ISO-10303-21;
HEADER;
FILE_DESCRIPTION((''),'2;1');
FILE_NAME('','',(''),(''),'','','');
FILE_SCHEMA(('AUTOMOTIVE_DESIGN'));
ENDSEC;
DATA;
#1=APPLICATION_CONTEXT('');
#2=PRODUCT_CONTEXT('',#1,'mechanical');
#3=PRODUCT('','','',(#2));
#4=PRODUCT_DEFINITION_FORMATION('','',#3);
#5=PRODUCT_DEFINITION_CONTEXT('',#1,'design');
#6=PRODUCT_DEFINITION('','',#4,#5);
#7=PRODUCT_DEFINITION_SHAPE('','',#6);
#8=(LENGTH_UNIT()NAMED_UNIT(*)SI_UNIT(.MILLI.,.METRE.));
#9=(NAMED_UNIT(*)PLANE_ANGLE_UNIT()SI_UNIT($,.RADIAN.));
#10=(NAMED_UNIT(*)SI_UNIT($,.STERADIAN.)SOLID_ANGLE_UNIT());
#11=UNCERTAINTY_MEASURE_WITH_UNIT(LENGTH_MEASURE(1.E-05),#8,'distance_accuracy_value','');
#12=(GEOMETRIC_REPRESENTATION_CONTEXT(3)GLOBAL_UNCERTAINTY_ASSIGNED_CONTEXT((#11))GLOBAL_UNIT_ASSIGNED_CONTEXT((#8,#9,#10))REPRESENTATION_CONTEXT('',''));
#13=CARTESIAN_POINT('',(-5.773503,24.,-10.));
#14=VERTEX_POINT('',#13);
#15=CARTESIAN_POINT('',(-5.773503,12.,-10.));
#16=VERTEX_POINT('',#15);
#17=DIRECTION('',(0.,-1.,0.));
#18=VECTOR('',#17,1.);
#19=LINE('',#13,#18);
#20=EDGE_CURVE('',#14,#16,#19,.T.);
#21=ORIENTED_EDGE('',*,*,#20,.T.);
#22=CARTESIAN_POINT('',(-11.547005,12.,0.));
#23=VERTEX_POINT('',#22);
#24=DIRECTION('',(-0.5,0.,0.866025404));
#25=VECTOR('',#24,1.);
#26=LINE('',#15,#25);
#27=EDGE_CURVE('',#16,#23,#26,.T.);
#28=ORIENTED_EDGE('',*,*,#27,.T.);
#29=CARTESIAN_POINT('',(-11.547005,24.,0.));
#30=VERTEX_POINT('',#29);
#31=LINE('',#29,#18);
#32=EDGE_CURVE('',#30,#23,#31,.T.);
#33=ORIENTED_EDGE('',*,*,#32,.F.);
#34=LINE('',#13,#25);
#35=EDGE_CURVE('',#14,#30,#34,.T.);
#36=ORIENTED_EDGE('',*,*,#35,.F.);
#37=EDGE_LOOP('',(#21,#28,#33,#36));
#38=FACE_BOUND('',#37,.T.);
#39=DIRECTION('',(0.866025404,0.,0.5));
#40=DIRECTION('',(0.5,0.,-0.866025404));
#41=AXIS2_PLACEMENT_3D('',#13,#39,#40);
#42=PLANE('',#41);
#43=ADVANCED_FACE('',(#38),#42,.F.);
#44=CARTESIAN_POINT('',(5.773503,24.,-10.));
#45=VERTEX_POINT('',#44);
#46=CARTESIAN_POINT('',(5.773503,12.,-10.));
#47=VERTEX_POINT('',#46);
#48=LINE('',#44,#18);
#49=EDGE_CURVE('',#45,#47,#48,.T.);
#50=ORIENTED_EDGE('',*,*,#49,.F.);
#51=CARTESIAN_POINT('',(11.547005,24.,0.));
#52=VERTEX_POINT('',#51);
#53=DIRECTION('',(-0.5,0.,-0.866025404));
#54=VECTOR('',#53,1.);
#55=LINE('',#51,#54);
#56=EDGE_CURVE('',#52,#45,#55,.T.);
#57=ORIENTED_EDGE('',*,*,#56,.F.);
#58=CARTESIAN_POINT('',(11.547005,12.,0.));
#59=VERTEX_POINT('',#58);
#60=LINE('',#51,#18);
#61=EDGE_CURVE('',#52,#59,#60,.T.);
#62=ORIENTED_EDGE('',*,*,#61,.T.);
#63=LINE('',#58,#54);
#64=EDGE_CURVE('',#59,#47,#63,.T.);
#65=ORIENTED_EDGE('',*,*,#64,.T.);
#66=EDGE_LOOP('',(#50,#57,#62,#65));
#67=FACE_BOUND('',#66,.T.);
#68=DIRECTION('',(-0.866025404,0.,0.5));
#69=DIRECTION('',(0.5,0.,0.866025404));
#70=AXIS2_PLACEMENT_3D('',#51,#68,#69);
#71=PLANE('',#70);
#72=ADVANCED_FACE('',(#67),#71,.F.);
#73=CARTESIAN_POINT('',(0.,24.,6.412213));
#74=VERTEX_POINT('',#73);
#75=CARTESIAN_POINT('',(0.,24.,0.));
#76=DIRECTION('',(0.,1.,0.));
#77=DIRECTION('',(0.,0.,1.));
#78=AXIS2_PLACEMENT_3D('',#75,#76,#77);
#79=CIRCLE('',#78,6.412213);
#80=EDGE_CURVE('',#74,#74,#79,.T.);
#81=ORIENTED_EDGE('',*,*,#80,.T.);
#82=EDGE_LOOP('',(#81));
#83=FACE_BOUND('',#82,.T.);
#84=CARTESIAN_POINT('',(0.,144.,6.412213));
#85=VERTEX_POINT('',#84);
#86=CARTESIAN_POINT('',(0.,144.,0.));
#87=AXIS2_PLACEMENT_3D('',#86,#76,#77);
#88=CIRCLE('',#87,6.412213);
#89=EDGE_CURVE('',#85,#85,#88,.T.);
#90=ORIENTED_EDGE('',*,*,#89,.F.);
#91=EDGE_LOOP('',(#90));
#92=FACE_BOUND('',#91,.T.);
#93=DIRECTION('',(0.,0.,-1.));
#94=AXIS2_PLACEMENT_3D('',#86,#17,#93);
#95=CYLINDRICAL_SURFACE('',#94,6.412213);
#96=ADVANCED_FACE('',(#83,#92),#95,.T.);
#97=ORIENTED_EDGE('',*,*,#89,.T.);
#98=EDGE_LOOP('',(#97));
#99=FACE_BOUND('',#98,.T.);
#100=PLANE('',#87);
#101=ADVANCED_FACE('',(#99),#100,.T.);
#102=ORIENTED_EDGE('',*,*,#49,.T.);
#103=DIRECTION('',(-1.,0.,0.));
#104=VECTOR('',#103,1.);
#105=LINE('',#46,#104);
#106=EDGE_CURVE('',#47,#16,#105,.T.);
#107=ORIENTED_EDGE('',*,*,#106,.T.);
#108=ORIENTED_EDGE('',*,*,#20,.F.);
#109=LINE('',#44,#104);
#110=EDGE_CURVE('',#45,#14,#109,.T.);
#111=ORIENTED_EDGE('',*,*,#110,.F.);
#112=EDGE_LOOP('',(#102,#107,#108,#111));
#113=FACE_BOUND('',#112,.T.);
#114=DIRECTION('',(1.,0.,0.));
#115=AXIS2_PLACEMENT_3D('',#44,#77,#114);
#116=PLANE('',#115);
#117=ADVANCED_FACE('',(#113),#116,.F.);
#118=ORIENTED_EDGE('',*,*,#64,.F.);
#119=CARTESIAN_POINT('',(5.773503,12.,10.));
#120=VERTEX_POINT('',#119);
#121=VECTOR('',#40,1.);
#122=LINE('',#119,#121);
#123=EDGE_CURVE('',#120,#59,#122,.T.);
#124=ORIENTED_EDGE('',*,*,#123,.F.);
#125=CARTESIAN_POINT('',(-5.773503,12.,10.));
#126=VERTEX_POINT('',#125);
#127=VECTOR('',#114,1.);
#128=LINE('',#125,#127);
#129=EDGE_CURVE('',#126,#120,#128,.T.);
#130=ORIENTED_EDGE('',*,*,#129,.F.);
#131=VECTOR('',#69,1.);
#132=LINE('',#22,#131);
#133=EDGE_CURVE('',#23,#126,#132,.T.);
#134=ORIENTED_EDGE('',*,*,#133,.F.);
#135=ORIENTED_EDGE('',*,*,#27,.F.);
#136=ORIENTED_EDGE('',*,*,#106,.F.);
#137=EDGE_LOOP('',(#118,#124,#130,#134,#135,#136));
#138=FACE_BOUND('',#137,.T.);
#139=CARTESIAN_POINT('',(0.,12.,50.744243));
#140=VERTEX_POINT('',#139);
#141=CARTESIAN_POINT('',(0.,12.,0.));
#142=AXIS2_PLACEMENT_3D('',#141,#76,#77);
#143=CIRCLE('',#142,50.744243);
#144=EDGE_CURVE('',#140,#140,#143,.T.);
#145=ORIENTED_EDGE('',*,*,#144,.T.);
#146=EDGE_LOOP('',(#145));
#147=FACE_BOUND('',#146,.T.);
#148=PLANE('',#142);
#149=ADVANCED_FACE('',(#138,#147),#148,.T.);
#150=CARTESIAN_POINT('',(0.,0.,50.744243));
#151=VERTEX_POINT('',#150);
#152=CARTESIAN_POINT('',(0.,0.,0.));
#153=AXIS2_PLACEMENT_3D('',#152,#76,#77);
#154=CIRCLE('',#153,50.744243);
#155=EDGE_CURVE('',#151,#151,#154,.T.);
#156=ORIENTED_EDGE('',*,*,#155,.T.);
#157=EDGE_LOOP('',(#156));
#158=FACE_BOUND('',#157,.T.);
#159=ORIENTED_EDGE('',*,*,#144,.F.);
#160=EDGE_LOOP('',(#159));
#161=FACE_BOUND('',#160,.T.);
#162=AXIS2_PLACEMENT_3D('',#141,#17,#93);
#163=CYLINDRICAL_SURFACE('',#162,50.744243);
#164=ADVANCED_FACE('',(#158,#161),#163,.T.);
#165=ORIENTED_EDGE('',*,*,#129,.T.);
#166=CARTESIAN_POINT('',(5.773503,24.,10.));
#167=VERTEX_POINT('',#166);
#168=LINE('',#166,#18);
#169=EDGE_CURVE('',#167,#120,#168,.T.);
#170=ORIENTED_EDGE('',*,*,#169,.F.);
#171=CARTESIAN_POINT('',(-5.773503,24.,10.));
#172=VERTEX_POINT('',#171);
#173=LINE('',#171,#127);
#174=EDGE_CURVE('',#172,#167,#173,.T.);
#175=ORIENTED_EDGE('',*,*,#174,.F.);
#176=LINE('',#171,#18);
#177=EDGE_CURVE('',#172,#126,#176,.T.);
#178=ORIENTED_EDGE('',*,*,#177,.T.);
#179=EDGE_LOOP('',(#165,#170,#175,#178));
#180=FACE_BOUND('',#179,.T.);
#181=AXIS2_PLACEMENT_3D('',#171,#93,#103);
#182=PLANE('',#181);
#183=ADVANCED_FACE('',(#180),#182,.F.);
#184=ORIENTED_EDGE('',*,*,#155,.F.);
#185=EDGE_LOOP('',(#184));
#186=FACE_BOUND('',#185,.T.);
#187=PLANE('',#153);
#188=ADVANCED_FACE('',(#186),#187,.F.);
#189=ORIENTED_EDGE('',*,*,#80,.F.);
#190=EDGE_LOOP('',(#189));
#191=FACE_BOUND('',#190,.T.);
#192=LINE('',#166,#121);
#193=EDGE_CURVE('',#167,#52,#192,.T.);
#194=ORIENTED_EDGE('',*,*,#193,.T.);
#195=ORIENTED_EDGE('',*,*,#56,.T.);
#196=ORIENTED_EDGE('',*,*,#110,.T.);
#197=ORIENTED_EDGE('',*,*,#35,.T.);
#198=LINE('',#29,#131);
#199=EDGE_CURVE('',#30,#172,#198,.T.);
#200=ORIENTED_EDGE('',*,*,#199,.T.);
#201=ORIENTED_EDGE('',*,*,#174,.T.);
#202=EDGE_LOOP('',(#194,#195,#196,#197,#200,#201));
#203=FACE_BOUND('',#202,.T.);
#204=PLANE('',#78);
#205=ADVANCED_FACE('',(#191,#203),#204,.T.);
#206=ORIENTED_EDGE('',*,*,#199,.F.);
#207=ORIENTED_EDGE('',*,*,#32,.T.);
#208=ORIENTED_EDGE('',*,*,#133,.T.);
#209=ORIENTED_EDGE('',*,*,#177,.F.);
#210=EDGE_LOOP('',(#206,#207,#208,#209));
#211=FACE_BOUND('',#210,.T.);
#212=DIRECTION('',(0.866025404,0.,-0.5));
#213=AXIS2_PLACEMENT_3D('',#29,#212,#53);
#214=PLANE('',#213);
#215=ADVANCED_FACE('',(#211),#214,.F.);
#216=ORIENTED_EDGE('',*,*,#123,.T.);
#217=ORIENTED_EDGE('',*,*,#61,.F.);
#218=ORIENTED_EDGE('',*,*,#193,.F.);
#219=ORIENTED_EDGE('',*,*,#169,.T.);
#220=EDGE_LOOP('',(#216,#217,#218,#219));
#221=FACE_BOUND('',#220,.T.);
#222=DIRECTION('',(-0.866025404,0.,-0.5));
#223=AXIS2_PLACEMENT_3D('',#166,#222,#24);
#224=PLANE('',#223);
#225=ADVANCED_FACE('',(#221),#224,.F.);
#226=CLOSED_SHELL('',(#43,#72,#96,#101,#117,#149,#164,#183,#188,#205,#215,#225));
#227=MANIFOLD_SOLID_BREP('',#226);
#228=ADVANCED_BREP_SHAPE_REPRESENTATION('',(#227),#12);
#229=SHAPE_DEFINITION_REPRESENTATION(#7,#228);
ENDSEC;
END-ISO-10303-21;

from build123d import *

# Parameters (mm, degrees)
CROQUIS1_R              = 50.744242673
SALIENTE_EXTRUIR1_DEPTH = 12
SALIENTE_EXTRUIR2_DEPTH = 12
CROQUIS3_R              = 6.412213352
SALIENTE_EXTRUIR3_DEPTH = 120


with BuildPart() as part:
    # Croquis1 → Saliente-Extruir1 (new body)
    with BuildSketch(Plane(origin=(0, 0, 0), x_dir=(1, 0, 0), z_dir=(0, 1, 0))):
        with Locations(Location((0, 0, 0), (0, 0, 270))):
            Circle(CROQUIS1_R)
    extrude(amount=SALIENTE_EXTRUIR1_DEPTH)

    # Croquis2 → Saliente-Extruir2 (add)
    with BuildSketch(Plane(origin=(0, 12, 0), x_dir=(1, 0, 0), z_dir=(0, 1, 0))):
        Polygon((11.547005384, 0), (5.773502692, 10), (-5.773502692, 10), (-11.547005384, 0), (-5.773502692, -10), (5.773502692, -10), align=None)
    extrude(amount=SALIENTE_EXTRUIR2_DEPTH)

    # Croquis3 → Saliente-Extruir3 (add)
    with BuildSketch(Plane(origin=(0, 24, 0), x_dir=(1, 0, 0), z_dir=(0, 1, 0))):
        with Locations(Location((0, 0, 0), (0, 0, 270))):
            Circle(CROQUIS3_R)
    extrude(amount=SALIENTE_EXTRUIR3_DEPTH)


solid = part.part
